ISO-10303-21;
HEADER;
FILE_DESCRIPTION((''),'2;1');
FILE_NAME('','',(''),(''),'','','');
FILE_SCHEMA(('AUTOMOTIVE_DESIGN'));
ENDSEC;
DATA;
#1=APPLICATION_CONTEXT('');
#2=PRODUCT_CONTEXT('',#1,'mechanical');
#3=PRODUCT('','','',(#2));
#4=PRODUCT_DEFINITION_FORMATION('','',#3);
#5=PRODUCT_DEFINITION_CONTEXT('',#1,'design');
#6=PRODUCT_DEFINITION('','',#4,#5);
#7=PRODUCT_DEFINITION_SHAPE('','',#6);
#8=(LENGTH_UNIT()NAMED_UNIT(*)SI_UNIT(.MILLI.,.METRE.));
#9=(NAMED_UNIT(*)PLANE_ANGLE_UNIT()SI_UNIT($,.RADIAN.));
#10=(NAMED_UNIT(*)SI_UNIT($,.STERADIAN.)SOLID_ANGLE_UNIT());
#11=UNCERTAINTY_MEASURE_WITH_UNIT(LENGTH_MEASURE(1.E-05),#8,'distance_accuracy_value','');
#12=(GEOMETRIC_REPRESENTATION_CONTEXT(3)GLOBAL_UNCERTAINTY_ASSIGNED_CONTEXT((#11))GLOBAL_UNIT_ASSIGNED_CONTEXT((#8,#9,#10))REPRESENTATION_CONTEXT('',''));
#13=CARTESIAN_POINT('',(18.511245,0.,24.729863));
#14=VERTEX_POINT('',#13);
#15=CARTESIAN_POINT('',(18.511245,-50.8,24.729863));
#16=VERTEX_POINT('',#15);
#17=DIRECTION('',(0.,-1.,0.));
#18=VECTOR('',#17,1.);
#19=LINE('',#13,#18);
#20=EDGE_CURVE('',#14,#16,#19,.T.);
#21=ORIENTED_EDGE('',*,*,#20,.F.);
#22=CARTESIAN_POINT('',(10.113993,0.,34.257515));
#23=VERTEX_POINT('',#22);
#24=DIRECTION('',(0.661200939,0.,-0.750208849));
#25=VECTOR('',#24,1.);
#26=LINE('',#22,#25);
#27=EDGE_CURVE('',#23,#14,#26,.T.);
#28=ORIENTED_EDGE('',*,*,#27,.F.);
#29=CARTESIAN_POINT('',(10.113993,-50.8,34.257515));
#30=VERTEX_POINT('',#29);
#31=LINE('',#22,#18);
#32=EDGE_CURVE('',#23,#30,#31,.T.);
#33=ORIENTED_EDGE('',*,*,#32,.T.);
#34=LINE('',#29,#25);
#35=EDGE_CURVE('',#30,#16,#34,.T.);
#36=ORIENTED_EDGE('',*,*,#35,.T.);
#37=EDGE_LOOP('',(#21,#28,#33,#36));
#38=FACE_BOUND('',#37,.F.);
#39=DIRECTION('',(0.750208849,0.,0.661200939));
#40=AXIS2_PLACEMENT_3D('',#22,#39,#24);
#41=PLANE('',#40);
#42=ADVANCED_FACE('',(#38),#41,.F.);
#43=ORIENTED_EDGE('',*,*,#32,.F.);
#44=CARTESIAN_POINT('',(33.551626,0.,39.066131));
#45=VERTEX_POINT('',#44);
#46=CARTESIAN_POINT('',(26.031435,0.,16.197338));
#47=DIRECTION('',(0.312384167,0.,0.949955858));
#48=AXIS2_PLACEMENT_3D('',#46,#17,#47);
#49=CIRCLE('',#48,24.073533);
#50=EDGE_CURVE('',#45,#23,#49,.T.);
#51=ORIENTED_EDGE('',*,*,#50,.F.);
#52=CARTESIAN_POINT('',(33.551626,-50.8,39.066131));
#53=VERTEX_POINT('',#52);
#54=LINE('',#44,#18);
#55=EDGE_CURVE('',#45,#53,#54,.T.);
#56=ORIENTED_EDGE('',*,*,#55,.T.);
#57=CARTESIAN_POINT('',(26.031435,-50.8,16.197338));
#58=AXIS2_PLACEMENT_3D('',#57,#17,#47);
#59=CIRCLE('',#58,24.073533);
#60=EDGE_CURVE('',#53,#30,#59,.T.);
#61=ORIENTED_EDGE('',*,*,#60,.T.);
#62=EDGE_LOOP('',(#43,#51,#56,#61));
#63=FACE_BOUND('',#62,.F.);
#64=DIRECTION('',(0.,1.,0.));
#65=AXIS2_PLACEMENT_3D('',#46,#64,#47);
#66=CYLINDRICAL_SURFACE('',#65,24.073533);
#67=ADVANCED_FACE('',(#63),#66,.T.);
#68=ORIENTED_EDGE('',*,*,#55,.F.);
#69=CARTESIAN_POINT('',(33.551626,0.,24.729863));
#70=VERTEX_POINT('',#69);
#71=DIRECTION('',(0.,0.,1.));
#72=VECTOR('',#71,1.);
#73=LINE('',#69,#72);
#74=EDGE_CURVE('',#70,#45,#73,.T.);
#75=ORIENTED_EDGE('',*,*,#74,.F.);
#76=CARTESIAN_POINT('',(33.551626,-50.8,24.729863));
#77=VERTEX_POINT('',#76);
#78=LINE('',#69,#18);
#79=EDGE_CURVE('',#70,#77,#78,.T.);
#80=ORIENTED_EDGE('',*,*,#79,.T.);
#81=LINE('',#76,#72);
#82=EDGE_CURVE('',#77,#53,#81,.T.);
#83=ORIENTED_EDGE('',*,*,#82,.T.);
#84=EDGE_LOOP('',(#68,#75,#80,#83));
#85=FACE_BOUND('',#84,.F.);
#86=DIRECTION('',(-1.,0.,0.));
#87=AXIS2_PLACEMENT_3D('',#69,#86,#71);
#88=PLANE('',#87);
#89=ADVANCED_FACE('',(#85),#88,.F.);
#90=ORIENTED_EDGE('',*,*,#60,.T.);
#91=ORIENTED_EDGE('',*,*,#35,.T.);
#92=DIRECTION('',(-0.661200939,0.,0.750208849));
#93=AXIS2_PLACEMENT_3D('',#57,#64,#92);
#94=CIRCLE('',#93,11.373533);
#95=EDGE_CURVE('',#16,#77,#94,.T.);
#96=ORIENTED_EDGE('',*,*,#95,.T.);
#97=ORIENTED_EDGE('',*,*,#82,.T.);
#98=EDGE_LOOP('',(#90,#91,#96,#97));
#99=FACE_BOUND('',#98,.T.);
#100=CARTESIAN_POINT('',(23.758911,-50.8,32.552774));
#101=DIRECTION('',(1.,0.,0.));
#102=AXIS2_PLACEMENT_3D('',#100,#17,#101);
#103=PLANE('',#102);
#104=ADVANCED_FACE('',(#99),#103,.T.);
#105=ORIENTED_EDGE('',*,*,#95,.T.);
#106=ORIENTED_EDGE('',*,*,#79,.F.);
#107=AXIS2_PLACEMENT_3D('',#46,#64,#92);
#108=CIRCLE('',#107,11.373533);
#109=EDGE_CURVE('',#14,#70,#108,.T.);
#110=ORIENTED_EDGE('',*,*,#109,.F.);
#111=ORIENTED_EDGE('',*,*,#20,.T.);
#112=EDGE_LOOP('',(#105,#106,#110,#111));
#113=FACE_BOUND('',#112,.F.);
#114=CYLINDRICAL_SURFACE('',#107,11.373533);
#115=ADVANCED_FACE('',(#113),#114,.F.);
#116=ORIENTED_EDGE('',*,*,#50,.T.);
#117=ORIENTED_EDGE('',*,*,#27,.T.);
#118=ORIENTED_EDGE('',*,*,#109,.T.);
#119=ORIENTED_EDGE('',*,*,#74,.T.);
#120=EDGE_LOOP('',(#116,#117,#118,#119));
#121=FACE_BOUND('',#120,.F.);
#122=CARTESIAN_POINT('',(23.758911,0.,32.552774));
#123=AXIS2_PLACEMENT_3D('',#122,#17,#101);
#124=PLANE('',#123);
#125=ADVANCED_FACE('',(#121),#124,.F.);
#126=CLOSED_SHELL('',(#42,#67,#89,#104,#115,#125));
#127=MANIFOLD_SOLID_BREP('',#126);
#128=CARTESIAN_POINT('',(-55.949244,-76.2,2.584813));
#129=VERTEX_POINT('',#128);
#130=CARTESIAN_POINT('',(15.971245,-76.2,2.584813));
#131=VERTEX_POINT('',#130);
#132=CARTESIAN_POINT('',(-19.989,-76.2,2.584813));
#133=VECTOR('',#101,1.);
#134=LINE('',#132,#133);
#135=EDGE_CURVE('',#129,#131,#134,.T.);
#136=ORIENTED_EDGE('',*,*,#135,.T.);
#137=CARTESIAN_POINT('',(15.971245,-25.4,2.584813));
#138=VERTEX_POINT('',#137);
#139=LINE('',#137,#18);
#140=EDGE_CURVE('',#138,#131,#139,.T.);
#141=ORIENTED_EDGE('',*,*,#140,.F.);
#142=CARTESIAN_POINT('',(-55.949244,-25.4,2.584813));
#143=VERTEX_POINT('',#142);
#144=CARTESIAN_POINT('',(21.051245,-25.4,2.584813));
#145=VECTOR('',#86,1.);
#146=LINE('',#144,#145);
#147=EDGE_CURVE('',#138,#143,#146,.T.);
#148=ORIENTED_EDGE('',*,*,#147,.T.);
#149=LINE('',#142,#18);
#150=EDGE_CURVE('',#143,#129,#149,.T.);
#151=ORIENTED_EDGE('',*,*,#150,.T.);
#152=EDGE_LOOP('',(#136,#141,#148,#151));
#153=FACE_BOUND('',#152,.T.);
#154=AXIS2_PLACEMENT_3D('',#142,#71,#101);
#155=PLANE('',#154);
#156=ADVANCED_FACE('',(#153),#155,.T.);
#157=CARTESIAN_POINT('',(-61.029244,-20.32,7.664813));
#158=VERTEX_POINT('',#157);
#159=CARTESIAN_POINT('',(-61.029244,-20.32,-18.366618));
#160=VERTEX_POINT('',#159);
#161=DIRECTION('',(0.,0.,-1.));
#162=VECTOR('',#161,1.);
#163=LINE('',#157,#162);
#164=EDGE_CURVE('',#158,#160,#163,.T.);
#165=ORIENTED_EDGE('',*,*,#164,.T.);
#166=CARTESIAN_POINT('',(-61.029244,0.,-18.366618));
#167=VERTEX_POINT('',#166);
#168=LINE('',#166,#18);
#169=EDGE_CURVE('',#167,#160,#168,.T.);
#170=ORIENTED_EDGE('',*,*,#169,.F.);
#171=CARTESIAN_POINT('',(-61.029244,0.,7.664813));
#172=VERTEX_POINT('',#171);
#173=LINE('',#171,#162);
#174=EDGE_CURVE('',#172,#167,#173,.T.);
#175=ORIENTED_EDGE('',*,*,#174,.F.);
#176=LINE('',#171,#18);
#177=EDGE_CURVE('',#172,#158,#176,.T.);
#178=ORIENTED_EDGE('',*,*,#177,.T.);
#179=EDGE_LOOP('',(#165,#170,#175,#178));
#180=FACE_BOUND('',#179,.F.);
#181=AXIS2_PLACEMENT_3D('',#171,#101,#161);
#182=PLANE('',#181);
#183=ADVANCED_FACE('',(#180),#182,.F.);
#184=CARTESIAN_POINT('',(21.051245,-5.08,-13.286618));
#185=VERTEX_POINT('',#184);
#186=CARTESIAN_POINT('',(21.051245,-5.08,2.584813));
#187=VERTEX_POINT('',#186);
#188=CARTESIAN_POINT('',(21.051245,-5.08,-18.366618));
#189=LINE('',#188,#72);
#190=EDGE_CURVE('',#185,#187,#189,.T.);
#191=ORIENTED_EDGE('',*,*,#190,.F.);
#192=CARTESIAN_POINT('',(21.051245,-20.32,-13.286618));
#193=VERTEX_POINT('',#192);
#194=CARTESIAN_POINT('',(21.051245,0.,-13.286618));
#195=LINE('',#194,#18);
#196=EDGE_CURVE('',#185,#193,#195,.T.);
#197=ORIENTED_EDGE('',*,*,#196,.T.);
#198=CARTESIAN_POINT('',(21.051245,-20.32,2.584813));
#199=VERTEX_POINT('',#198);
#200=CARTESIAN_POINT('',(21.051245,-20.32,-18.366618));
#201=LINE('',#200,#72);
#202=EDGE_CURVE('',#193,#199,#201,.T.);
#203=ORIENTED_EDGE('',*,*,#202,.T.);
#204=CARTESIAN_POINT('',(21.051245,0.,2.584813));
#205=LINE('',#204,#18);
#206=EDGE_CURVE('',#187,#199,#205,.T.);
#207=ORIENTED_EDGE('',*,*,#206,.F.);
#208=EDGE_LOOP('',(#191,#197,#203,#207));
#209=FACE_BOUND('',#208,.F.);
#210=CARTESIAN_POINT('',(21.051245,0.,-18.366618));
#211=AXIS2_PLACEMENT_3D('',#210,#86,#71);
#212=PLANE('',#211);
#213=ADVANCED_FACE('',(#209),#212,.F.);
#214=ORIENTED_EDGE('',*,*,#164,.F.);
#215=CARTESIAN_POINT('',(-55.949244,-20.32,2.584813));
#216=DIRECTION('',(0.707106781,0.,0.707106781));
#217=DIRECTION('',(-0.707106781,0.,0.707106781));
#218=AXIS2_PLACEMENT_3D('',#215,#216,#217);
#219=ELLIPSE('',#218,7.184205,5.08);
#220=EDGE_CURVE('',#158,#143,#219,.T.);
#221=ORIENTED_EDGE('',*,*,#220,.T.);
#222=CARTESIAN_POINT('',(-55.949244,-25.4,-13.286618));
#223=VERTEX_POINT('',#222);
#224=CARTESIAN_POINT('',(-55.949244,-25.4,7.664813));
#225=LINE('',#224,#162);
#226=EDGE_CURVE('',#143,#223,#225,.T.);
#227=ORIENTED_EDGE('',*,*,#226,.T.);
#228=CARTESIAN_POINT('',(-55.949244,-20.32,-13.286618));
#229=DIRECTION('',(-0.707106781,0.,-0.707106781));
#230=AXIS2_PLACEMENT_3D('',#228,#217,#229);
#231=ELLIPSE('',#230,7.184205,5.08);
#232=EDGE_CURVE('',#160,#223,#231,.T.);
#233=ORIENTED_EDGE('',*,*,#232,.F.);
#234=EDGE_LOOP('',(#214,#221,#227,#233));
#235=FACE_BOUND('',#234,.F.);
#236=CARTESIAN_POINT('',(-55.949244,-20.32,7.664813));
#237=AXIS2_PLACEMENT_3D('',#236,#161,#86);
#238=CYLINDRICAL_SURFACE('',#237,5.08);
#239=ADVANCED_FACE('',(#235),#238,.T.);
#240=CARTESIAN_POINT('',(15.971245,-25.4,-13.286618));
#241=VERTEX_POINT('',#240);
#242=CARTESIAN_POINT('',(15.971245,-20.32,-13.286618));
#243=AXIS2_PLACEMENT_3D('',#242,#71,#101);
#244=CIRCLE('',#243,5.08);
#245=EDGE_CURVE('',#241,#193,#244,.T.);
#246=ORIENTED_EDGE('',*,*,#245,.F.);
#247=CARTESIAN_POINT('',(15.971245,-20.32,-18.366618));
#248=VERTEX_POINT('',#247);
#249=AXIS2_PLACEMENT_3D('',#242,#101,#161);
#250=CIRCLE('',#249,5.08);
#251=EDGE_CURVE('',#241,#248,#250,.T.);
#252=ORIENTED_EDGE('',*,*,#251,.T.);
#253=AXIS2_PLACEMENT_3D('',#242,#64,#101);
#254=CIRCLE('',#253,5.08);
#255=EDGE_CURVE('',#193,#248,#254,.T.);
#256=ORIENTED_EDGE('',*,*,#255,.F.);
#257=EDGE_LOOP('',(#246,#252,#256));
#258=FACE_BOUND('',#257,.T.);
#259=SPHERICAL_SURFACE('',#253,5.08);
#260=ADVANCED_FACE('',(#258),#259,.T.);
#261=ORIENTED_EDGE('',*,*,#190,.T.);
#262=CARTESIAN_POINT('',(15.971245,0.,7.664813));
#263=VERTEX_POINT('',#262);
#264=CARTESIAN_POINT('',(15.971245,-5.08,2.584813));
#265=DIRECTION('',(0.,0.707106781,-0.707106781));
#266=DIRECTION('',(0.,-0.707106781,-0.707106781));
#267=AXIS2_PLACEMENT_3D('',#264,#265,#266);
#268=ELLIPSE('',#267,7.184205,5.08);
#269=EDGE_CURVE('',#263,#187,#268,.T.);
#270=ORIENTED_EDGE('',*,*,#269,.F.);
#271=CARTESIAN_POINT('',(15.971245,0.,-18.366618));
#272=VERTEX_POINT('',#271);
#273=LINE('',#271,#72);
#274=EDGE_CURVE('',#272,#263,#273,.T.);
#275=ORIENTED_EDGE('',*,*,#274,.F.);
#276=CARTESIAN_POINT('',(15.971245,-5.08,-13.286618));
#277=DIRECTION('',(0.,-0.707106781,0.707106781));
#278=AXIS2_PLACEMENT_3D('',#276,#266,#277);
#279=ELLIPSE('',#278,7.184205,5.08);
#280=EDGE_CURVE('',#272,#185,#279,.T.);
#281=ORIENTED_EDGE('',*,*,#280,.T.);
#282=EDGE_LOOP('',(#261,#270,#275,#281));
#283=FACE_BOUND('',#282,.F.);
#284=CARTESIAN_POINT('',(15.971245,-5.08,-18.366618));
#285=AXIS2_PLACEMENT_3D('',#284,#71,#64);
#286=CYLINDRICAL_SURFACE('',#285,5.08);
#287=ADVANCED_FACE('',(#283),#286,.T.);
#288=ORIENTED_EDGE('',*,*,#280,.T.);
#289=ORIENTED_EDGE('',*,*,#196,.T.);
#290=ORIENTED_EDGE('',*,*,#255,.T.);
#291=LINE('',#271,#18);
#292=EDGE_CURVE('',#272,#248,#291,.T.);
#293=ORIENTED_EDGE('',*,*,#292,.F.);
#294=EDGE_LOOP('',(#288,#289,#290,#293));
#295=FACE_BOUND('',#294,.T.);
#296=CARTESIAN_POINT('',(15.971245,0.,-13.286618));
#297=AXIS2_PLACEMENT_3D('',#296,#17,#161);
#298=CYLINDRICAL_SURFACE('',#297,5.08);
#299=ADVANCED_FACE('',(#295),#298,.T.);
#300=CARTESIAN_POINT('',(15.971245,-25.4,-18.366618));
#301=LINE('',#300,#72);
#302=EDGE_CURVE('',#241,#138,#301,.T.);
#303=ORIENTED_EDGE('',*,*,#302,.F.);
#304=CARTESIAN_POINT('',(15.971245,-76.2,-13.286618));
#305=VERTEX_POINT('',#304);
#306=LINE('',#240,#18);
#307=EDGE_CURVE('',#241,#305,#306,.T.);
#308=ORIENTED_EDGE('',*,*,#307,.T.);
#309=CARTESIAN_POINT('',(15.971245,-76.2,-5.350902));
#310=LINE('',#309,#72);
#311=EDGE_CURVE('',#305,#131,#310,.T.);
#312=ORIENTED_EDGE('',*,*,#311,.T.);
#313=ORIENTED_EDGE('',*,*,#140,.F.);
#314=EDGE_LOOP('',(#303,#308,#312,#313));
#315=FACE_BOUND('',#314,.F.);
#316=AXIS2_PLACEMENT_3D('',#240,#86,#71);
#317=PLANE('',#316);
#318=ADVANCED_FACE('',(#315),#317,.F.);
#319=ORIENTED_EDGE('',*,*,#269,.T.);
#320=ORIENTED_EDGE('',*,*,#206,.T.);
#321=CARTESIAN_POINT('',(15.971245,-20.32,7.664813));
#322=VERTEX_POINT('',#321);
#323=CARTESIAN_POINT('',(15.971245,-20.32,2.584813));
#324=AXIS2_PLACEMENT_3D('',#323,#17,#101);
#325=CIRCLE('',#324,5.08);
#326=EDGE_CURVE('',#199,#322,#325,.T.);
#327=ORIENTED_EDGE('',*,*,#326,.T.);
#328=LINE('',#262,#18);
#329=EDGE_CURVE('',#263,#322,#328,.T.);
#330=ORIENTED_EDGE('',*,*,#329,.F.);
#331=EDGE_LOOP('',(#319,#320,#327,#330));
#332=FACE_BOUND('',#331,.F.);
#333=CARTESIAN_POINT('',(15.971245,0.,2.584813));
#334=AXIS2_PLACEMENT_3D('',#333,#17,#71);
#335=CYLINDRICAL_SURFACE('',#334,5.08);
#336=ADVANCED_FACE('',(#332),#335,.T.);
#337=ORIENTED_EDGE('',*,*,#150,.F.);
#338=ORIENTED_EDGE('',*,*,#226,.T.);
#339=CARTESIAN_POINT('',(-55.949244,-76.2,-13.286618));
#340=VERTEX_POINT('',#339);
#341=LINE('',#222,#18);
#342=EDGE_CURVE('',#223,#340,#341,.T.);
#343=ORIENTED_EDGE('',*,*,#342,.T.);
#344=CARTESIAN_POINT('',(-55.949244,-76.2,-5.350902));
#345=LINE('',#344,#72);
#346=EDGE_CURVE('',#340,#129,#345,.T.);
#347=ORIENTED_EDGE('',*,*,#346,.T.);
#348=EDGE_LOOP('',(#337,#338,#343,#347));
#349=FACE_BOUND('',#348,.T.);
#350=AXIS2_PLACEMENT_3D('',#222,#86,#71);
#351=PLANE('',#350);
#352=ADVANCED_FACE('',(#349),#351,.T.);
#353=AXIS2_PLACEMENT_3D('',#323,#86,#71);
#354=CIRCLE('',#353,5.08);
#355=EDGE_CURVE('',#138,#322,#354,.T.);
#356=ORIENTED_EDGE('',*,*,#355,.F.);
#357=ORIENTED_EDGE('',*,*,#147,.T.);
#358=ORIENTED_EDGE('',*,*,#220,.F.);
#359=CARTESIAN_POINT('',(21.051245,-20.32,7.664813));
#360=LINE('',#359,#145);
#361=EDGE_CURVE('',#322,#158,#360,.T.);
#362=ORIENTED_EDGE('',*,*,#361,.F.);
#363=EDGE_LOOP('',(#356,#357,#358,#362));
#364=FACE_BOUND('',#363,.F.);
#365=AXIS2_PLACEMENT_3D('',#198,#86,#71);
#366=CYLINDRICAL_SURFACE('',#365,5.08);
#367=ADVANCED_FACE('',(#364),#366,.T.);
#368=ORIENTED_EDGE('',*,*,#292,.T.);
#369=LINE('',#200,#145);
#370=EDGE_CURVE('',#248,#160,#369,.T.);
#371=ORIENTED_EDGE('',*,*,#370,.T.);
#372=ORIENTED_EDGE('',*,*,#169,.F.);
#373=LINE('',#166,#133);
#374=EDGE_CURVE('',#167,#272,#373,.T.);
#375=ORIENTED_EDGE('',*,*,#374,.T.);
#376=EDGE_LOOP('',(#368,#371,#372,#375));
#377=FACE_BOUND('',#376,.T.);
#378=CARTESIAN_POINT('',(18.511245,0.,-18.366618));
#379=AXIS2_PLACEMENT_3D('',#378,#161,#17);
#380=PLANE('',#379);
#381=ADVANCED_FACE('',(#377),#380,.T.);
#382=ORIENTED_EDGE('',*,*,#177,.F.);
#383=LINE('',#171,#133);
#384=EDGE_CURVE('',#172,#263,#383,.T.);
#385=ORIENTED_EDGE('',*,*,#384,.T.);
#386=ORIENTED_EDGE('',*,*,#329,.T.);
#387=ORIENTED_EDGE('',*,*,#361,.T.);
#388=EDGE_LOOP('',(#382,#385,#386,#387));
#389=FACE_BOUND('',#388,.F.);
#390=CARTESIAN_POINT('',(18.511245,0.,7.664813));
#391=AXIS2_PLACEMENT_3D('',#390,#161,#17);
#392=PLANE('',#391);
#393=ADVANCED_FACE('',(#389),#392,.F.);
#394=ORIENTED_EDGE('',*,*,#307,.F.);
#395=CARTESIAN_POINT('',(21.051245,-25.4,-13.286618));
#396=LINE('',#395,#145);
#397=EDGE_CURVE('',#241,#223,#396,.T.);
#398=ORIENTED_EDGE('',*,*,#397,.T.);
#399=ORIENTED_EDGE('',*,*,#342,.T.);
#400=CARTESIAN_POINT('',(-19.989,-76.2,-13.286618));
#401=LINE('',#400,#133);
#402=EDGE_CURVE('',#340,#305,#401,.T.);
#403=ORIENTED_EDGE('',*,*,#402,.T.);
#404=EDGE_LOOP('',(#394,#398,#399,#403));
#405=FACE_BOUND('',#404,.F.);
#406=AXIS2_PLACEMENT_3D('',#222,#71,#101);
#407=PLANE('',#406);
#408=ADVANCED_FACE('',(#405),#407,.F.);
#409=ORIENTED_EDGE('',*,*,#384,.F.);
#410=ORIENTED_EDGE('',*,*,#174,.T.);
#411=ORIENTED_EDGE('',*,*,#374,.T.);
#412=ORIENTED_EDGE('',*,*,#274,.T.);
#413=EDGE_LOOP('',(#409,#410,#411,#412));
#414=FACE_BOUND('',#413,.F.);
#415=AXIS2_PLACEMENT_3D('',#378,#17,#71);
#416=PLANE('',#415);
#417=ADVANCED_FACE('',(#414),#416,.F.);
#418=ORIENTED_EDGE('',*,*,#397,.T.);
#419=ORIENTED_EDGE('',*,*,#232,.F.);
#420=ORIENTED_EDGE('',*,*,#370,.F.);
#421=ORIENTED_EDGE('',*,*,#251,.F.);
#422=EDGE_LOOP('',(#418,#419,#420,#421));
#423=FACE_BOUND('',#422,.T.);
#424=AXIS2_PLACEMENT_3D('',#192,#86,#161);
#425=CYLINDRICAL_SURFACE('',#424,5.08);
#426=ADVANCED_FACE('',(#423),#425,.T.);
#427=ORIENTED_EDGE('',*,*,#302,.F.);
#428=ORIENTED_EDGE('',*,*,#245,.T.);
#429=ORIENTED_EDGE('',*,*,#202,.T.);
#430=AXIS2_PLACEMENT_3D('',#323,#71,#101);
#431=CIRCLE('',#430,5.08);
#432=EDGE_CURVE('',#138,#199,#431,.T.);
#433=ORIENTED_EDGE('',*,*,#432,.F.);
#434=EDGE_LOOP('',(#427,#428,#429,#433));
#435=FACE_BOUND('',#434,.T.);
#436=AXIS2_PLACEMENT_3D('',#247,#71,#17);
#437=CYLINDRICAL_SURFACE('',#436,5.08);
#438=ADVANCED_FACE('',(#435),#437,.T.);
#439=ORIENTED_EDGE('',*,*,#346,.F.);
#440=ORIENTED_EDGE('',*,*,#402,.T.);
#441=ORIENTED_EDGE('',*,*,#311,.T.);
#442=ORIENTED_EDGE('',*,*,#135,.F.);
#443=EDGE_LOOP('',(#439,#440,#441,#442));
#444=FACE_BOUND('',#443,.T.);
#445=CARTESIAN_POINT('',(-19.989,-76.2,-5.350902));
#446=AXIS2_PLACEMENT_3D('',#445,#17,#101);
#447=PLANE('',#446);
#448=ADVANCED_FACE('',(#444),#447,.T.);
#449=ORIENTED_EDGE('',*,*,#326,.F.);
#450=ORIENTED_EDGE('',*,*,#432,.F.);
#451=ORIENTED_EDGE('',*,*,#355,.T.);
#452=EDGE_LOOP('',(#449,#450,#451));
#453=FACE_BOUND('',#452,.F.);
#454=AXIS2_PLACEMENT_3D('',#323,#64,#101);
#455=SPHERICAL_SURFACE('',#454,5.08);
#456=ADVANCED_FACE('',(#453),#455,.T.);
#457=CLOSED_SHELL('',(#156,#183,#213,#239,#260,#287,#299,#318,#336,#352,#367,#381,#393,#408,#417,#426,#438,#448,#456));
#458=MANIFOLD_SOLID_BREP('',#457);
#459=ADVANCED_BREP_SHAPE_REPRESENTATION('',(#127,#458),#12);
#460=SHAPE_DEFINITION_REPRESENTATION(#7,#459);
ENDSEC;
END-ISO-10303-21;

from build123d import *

# Parameters (mm, degrees)
F1_DEPTH  = 25.4
F2_DEPTH  = 2.54
F3_R      = 5.08
F2_FACE_W = 71.9204892415
F2_FACE_H = 15.8714312764
F4_DEPTH  = 50.8


with BuildPart() as f1:
    # F0 (on Front) → F1 (new body)
    with BuildSketch(Plane.XZ):
        with BuildLine():
            Line((18.5112450272, 7.6648131944), (-61.0292442143, 7.6648131944))
            Line((-61.0292442143, 7.6648131944), (-61.0292442143, -18.3666180819))
            Line((-61.0292442143, -18.3666180819), (18.5112450272, -18.3666180819))
            Line((18.5112450272, -18.3666180819), (18.5112450272, -6.671455313))
            ThreePointArc((18.5112450272, -6.671455313), (14.0685196363, -4.6934163347), (10.1139930973, -1.8628391936))
            Line((10.1139930973, -1.8628391936), (18.5112450272, 7.6648131944))
        make_face()
        with BuildLine():
            Line((18.5112450272, -6.671455313), (18.5112450272, 7.6648131944))
            Line((18.5112450272, 7.6648131944), (10.1139930973, -1.8628391936))
            ThreePointArc((10.1139930973, -1.8628391936), (14.0685196363, -4.6934163347), (18.5112450272, -6.671455313))
        make_face()
    extrude(amount=F1_DEPTH)

    # F2 (add): a face of the model
    f2_faces = [f1.faces().sort_by_distance(p)[0] for p in [
        (18.5112450272, -12.7, -5.3509024438),
    ]]
    extrude(f2_faces, amount=F2_DEPTH)

    # F3
    f3_edges = [f1.edges().sort_by_distance(p)[0] for p in [
        (21.051245, -12.7, -18.366618),
        (21.051245, -12.7, 7.664813),
        (21.051245, 0, -5.350902),
        (21.051245, -25.4, -5.350902),
        (-19.989, -25.4, 7.664813),
        (-61.029244, -25.4, -5.350902),
        (-19.989, -25.4, -18.366618),
    ]]
    fillet(f3_edges, radius=F3_R)

    # F0 (on Front) + F2_face (on face) → F4 (join)
    with BuildSketch(Plane.XZ):
        with BuildLine():
            ThreePointArc((18.5112450272, 24.7298628092), (26.0314354673, 27.5708706036), (33.5516259074, 24.7298628092))
            Line((33.5516259074, 24.7298628092), (33.5516259074, 39.0661313166))
            ThreePointArc((33.5516259074, 39.0661313166), (21.1931343978, 39.7796579617), (10.1139930973, 34.2575151972))
            Line((10.1139930973, 34.2575151972), (18.5112450272, 24.7298628092))
        make_face()
    with BuildSketch(Plane(origin=(-19.9889995936, -25.4, -5.3509024438), x_dir=(1, 0, 0), z_dir=(0, -1, 0))):
        Rectangle(F2_FACE_W, F2_FACE_H)
    extrude(amount=F4_DEPTH)


solid = f1.part
